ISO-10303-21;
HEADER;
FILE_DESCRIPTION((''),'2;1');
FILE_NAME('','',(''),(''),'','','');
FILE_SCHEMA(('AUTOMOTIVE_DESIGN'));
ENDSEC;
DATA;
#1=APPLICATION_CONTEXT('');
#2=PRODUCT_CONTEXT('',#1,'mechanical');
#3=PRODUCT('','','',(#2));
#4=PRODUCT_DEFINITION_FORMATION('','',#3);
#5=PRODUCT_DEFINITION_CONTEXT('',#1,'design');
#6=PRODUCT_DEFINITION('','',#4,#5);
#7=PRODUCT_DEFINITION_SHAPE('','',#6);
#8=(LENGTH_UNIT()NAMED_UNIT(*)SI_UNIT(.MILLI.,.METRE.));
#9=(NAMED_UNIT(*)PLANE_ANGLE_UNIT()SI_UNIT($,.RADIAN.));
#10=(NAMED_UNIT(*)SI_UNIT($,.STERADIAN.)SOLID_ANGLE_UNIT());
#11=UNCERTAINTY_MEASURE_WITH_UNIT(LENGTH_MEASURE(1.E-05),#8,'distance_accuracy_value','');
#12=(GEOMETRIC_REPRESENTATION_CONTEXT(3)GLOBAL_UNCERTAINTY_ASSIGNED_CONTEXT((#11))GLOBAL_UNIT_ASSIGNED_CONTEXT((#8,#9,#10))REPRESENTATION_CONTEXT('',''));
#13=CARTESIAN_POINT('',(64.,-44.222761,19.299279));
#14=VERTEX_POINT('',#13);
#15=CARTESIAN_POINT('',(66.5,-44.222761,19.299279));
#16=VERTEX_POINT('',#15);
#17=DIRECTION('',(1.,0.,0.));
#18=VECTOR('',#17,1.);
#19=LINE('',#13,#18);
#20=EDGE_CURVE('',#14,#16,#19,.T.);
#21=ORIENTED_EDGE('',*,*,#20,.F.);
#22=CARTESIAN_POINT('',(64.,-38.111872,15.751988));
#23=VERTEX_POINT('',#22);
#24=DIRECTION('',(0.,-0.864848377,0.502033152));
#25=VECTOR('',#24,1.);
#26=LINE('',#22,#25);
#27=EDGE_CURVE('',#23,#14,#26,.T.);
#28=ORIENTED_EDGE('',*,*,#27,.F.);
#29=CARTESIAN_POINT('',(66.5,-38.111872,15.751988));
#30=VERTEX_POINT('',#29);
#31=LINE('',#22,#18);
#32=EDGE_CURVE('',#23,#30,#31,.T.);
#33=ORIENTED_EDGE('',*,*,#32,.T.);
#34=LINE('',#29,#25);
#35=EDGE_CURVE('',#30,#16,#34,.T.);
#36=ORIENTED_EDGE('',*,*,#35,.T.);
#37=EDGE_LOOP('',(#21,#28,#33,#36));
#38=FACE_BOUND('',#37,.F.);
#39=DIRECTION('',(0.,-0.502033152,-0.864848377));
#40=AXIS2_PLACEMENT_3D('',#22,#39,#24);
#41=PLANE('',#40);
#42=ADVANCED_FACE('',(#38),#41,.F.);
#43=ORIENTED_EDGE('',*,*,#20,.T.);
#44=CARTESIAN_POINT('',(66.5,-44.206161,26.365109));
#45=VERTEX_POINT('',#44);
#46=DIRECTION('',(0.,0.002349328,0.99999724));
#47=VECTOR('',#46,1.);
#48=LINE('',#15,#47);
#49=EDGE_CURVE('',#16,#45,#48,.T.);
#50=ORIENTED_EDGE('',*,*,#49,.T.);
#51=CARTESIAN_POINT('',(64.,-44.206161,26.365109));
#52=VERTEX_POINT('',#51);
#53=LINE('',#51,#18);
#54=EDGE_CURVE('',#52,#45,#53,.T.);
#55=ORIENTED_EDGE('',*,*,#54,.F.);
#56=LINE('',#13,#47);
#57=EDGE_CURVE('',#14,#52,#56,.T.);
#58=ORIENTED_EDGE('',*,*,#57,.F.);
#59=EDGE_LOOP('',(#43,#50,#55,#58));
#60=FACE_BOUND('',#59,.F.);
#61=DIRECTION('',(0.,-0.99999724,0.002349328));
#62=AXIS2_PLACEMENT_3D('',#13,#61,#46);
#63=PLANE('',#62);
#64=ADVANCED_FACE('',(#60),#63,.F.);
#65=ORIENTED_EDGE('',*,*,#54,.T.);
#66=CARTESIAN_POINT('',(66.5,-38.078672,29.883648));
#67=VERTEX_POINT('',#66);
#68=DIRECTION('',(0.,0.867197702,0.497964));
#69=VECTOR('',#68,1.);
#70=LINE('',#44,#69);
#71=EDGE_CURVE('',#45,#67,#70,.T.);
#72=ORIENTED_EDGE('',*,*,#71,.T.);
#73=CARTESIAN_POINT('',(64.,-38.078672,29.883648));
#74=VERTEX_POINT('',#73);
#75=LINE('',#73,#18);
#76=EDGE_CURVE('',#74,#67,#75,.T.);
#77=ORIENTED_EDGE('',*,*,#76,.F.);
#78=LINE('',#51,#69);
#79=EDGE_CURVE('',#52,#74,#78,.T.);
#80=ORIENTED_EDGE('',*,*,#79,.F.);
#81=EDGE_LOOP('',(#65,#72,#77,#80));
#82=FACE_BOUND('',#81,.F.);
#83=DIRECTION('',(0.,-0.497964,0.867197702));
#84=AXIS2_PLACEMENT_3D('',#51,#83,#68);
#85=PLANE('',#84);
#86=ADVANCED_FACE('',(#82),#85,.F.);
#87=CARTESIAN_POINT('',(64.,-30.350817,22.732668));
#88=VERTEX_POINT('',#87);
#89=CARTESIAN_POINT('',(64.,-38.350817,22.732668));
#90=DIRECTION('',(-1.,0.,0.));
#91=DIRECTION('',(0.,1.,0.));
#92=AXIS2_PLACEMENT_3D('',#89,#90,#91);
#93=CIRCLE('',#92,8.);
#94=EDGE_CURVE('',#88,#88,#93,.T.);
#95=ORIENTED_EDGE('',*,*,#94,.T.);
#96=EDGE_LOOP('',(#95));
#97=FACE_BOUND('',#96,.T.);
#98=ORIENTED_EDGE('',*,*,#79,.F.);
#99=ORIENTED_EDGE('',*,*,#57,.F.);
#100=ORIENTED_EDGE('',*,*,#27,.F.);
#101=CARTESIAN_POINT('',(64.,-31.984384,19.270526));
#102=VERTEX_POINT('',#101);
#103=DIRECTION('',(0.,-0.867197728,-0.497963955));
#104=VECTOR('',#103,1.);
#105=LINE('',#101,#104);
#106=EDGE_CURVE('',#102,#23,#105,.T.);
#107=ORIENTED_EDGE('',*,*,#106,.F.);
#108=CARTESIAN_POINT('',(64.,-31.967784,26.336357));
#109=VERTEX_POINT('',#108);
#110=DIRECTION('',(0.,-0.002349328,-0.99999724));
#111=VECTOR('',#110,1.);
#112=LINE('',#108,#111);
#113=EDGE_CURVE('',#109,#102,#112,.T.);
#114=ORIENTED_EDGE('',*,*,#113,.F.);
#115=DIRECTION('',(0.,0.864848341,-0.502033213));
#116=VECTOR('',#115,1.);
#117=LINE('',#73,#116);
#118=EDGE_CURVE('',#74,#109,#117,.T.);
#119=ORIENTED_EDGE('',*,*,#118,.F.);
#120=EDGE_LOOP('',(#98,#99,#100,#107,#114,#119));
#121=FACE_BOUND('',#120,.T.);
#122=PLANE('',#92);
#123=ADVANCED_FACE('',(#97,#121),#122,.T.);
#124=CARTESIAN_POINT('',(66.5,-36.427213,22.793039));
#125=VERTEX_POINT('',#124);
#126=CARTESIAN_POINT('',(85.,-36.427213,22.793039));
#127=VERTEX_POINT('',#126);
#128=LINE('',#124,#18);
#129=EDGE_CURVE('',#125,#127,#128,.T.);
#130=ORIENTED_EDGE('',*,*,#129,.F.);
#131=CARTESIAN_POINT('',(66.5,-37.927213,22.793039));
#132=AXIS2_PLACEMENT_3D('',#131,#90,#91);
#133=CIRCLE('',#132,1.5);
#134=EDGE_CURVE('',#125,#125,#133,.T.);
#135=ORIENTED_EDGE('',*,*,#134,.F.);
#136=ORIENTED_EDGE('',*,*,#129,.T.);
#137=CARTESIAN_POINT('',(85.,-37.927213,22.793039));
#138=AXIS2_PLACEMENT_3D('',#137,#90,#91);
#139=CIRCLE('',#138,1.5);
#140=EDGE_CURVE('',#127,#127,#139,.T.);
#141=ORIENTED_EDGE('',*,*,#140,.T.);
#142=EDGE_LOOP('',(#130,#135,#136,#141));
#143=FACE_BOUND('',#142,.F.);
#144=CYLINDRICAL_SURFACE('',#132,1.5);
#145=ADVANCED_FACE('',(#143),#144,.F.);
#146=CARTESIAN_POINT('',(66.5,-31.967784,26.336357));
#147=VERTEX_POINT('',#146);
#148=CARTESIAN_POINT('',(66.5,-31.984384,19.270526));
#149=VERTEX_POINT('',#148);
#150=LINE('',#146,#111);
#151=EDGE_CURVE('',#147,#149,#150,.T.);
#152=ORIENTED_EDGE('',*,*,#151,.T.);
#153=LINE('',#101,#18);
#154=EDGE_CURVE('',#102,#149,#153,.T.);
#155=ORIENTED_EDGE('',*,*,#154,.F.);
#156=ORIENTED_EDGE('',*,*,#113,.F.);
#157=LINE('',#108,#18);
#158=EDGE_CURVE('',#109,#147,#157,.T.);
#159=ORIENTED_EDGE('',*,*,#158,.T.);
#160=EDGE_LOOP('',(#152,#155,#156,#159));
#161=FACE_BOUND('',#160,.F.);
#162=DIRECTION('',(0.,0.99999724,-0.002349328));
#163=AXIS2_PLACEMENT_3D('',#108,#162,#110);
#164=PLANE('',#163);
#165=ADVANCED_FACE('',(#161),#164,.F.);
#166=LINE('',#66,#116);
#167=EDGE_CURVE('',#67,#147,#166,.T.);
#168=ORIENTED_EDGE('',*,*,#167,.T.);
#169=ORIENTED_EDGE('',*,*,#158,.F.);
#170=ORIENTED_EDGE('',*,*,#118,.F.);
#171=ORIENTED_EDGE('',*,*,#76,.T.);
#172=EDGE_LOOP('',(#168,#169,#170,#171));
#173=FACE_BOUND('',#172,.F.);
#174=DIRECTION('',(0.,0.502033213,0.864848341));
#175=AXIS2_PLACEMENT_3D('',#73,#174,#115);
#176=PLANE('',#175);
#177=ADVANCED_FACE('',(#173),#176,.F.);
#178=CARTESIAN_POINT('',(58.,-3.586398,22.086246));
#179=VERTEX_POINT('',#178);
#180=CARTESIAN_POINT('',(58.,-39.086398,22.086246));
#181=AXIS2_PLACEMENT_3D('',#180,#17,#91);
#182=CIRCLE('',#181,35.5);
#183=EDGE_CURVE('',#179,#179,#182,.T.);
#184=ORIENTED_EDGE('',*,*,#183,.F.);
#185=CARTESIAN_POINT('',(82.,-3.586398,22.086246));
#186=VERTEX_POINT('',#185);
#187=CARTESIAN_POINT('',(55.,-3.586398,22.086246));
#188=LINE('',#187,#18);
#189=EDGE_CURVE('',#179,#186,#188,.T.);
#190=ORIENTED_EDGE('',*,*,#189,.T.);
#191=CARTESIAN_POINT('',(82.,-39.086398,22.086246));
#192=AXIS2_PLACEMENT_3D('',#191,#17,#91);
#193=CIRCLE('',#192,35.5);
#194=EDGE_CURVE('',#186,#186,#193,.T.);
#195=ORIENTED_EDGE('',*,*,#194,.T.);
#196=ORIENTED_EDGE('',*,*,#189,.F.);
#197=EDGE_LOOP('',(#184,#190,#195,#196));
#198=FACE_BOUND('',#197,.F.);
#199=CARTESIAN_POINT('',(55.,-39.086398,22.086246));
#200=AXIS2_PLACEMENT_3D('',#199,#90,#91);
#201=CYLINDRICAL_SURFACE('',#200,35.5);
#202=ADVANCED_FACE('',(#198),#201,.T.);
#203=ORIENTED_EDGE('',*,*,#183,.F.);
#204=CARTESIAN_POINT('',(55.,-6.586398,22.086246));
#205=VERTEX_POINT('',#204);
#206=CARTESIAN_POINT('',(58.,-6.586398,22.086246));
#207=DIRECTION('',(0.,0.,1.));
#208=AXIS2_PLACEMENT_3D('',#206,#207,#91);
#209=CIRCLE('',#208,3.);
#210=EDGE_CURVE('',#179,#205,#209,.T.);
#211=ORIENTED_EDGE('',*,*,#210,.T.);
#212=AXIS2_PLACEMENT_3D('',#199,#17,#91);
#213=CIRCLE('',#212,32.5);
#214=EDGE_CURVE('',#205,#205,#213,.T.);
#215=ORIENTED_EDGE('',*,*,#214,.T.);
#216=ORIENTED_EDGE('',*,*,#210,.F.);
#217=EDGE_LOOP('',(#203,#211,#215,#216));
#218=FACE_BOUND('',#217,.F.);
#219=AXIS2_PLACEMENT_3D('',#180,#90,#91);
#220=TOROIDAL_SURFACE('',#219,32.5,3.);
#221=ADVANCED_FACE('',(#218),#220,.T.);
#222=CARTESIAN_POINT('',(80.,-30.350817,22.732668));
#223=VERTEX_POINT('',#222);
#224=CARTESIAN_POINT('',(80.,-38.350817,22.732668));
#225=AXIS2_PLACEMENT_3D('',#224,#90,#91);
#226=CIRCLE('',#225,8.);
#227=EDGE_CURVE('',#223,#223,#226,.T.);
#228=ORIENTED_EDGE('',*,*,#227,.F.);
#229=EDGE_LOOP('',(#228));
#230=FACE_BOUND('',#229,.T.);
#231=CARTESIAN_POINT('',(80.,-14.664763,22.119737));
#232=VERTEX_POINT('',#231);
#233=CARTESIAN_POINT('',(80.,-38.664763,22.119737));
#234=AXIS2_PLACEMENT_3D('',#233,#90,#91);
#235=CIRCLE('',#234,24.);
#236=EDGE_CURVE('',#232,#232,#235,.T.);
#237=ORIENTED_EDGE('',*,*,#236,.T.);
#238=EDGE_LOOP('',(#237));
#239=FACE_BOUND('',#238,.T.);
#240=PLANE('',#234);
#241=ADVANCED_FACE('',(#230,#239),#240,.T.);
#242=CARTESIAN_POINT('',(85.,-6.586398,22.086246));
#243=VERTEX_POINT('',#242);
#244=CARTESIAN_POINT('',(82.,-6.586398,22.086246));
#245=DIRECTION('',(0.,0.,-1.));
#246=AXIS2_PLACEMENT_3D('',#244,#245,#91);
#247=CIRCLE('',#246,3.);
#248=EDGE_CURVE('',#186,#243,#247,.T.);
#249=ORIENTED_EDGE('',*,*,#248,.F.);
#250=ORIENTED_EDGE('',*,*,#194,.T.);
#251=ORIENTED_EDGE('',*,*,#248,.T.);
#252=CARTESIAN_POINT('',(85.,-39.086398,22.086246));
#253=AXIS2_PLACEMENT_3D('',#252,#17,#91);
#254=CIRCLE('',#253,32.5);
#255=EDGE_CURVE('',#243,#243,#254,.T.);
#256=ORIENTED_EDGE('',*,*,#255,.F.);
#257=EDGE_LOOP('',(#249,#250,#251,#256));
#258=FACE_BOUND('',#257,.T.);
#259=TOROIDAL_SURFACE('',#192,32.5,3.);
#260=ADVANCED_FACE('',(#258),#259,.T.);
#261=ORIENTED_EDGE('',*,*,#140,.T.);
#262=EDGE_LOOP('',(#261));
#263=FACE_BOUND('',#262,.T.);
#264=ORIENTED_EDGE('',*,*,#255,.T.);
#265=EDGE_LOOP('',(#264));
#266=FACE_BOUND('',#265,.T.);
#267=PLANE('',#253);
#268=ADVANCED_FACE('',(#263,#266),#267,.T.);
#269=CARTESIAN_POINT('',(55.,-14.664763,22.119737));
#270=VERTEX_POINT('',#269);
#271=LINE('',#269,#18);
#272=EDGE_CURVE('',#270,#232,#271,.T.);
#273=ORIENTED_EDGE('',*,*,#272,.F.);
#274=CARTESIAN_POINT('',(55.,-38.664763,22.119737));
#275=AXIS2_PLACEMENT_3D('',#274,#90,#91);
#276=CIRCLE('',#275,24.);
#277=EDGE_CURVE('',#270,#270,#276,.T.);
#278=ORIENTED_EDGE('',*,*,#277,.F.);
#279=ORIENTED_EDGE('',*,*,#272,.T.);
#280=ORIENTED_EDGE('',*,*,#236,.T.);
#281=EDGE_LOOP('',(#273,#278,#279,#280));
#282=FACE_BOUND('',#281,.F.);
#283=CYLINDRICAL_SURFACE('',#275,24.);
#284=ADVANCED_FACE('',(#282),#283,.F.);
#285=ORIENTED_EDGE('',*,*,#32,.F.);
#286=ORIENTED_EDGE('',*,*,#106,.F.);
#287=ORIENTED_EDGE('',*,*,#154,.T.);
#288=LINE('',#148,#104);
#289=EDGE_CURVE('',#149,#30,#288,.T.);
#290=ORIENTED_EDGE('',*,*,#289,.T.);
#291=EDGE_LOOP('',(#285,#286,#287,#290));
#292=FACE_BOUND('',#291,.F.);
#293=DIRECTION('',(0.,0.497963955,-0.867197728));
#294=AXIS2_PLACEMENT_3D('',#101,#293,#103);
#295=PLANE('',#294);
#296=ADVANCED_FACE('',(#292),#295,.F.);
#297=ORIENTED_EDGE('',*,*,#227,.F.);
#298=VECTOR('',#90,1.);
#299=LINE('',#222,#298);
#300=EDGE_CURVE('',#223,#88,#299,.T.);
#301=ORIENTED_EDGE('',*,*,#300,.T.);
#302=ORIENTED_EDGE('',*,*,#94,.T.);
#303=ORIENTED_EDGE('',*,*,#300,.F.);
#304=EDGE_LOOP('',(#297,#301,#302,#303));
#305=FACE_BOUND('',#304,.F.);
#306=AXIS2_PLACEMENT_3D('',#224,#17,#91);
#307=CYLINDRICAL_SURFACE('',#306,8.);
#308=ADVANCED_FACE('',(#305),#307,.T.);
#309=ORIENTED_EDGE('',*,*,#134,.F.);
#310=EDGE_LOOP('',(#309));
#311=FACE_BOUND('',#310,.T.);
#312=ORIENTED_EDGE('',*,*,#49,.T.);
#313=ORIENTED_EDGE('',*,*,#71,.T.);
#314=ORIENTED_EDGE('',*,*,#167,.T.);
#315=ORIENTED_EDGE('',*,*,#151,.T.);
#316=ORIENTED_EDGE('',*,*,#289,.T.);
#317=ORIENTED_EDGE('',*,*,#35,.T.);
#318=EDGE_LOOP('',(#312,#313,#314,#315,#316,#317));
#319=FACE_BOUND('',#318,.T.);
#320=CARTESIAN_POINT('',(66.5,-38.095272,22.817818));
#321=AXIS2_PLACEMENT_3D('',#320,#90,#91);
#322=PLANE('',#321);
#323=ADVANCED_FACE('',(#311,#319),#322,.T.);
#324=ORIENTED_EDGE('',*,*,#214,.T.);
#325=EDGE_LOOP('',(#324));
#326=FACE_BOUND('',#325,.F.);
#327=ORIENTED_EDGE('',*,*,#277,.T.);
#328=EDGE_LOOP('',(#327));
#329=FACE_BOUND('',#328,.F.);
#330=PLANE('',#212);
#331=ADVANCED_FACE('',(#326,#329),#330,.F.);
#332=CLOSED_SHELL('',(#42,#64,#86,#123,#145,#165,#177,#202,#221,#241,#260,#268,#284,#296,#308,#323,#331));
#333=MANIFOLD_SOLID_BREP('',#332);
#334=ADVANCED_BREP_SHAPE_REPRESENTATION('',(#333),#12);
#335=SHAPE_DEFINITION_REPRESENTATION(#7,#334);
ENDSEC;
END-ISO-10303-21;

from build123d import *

# Parameters (mm, degrees)
SKETCH008_R     = 35.5
PAD007_DEPTH    = 30
SKETCH009_R     = 24
POCKET001_DEPTH = 25
SKETCH010_R     = 8
PAD008_DEPTH    = 16
POCKET002_DEPTH = 2.5
SKETCH012_R     = 1.5
POCKET003_DEPTH = 25
FILLET_R        = 3
FILLET001_R     = 3


with BuildPart() as part:
    # Sketch008 → Pad007 (new body)
    with BuildSketch(Plane.YZ):
        with Locations((-2.086398, 2.086246)):
            Circle(SKETCH008_R)
    extrude(amount=PAD007_DEPTH)

    # Sketch009 (on Face2 of Pad007) → Pocket001 (cut)
    with BuildSketch(Plane(origin=(0, 0, 0), x_dir=(0, 1, 0), z_dir=(-1, 0, 0))):
        with Locations((-1.664763, -2.119737)):
            Circle(SKETCH009_R)
    extrude(amount=-POCKET001_DEPTH, mode=Mode.SUBTRACT)

    # Sketch010 (on Face5 of Pocket001) → Pad008 (join)
    with BuildSketch(Plane(origin=(25, 0, 0), x_dir=(0, 1, 0), z_dir=(-1, 0, 0))):
        with Locations((-1.350817, -2.732668)):
            Circle(SKETCH010_R)
    extrude(amount=PAD008_DEPTH)

    # Sketch011 (on Face7 of Pad008) → Pocket002 (cut)
    with BuildSketch(Plane(origin=(9, 0, 0), x_dir=(0, 1, 0), z_dir=(-1, 0, 0))):
        Polygon((-1.111872, 4.248012), (-7.222761, 0.700721), (-7.206161, -6.365109), (-1.078672, -9.883648), (5.032216, -6.336357), (5.015616, 0.729474), align=None)
    extrude(amount=-POCKET002_DEPTH, mode=Mode.SUBTRACT)

    # Sketch012 (on Face14 of Pocket002) → Pocket003 (cut)
    with BuildSketch(Plane(origin=(11.5, 0, 0), x_dir=(0, 1, 0), z_dir=(-1, 0, 0))):
        with Locations((-0.927213, -2.793039)):
            Circle(SKETCH012_R)
    extrude(amount=-POCKET003_DEPTH, mode=Mode.SUBTRACT)

    # Fillet
    fillet_edges = [part.edges().sort_by_distance(p)[0] for p in [
        (0, -37.586398, 2.086246),
    ]]
    fillet(fillet_edges, radius=FILLET_R)

    # Fillet001
    fillet001_edges = [part.edges().sort_by_distance(p)[0] for p in [
        (30, -37.586398, 2.086246),
    ]]
    fillet(fillet001_edges, radius=FILLET001_R)


with BuildPart() as part_1:
    # Body003 placement: moved
    add(part.part.moved(Location((55, -37, 20))))


solid = part_1.part
